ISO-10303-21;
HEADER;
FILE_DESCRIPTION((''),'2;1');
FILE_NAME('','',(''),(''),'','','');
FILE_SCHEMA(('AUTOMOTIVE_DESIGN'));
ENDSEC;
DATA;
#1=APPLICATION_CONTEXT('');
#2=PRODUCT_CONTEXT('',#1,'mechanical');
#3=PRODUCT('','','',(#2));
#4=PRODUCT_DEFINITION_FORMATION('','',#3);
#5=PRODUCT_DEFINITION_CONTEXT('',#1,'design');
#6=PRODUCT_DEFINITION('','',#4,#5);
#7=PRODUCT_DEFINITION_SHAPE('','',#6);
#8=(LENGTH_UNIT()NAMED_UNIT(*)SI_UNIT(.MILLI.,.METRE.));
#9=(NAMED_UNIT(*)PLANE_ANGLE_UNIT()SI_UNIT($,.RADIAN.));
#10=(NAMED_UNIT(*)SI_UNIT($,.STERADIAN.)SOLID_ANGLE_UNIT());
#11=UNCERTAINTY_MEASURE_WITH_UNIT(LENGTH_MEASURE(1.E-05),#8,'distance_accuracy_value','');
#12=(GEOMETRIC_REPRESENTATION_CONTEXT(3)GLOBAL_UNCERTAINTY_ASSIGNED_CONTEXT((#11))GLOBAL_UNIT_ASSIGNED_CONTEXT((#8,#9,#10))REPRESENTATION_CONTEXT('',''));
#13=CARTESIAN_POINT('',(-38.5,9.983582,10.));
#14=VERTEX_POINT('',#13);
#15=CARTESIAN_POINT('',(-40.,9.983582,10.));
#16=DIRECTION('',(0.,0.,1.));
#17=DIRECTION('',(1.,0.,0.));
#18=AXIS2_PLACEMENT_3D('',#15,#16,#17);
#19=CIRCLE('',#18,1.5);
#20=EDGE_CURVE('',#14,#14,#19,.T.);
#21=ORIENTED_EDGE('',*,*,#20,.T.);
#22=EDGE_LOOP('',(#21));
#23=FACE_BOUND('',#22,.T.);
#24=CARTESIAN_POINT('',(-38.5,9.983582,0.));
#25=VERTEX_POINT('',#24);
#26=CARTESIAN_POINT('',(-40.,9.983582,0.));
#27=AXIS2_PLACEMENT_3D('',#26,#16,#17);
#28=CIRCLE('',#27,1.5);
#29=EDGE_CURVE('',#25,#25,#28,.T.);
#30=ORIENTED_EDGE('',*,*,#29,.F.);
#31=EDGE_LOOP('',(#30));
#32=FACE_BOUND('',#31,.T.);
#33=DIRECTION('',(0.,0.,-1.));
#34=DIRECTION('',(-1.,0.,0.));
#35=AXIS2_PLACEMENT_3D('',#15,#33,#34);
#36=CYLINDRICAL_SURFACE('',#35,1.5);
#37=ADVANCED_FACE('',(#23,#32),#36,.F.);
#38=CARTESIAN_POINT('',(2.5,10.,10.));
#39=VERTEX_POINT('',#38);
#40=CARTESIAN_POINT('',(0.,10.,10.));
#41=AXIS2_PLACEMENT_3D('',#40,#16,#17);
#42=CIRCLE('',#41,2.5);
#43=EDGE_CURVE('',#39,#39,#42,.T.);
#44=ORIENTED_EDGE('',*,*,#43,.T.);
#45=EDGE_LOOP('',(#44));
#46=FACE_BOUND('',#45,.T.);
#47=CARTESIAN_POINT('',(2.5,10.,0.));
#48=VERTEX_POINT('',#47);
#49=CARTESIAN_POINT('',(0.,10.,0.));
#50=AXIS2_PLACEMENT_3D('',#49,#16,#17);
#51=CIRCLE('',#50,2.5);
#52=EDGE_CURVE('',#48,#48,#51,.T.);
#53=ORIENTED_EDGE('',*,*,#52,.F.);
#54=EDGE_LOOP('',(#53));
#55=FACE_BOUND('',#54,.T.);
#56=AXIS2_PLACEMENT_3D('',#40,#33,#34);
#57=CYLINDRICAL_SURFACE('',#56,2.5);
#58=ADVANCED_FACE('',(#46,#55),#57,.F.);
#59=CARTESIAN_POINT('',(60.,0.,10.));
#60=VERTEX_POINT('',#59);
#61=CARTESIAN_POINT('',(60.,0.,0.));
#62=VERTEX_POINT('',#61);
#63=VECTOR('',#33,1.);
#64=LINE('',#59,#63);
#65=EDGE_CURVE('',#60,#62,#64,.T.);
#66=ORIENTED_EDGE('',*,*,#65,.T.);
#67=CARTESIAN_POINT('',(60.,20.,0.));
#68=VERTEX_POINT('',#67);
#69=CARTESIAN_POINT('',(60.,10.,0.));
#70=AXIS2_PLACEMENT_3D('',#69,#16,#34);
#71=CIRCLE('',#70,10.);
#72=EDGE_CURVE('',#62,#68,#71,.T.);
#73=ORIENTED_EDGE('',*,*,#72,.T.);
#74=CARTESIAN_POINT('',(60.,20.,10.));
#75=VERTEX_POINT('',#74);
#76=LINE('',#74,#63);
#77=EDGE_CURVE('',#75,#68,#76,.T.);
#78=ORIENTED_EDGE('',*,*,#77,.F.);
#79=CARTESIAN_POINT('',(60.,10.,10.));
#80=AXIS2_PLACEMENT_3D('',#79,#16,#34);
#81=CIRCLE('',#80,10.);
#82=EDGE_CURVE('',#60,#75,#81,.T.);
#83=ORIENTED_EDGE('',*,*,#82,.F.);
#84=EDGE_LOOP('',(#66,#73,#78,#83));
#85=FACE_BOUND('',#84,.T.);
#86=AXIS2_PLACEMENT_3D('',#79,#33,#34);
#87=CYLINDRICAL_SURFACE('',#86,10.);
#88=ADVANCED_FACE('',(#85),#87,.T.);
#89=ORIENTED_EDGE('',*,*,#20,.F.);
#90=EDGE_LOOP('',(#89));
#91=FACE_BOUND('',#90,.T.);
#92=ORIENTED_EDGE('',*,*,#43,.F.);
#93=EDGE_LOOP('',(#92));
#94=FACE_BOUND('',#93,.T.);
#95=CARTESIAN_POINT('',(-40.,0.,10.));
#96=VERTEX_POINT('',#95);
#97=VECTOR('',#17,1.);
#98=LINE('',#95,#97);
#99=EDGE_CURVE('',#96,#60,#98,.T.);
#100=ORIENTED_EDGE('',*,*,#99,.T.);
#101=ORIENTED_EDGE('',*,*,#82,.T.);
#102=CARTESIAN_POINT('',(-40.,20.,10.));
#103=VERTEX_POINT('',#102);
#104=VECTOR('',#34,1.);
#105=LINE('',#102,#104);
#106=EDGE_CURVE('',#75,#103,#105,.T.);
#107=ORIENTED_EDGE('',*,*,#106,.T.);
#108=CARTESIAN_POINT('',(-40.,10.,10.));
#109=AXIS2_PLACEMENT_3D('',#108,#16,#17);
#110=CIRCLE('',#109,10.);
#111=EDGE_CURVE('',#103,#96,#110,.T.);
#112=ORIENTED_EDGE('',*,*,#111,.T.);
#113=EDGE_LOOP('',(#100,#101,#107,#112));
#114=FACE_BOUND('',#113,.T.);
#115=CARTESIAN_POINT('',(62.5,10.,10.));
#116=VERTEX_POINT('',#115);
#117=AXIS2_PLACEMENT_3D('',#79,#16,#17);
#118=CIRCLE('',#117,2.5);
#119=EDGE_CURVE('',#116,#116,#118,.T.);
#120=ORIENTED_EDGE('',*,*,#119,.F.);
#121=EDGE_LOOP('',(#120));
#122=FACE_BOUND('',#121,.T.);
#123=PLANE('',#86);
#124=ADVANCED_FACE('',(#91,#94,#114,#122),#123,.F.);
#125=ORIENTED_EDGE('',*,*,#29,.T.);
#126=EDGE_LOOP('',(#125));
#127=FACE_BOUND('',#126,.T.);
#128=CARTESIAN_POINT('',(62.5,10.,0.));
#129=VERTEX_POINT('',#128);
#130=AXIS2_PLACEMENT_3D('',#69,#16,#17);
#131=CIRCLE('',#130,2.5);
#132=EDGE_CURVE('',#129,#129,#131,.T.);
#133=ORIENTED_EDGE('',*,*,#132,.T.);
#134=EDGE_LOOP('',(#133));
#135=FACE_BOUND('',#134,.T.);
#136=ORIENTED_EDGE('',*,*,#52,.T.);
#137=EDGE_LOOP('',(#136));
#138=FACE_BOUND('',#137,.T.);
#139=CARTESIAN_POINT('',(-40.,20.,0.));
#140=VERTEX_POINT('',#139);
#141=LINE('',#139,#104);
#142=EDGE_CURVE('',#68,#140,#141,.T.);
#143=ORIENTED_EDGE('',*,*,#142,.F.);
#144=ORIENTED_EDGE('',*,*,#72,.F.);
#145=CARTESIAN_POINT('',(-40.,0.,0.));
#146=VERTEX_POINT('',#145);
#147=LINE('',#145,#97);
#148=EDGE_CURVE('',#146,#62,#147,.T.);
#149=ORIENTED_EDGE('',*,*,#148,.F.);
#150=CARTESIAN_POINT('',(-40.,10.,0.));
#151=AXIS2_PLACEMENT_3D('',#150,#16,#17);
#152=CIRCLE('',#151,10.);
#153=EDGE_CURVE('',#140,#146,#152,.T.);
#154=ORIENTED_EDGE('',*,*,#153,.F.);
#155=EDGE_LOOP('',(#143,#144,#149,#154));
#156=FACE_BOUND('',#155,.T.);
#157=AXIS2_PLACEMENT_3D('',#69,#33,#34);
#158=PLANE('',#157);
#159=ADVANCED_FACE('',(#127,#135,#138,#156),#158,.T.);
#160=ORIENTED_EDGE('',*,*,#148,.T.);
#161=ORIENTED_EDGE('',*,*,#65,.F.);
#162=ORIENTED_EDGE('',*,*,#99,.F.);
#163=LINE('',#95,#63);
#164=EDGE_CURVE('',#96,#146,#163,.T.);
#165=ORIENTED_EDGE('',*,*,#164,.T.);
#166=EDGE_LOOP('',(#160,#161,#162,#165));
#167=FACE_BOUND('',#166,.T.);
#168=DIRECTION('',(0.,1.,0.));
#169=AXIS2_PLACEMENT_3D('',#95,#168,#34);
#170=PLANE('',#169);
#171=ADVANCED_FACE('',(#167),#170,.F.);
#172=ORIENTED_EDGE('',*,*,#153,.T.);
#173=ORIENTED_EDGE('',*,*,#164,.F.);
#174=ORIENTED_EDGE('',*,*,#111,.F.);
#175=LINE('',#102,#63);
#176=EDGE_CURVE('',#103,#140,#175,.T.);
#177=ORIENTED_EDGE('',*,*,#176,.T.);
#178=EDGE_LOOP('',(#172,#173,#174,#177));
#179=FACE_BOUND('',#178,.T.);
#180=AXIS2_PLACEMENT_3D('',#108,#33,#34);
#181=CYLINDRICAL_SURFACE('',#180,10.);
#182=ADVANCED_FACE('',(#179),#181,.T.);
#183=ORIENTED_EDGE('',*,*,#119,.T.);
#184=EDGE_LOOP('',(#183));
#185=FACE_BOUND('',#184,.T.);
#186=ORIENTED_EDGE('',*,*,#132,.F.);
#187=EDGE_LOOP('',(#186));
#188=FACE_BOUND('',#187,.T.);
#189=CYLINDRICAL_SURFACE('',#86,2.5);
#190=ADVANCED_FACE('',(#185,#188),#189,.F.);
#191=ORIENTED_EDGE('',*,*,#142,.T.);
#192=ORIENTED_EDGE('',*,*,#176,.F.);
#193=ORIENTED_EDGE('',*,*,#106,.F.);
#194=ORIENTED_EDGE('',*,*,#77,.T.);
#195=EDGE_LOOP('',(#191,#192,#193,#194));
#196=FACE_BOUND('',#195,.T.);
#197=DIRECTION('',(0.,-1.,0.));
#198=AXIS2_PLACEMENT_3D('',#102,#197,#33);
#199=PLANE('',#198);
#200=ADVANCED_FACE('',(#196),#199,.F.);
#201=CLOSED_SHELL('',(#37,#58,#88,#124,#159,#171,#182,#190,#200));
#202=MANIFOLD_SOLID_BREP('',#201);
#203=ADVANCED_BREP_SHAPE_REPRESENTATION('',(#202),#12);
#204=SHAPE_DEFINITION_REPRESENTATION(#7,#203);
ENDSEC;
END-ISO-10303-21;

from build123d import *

# Parameters (mm, degrees)
ESQUISSE1_R        = 2.5
ESQUISSE1_R_2      = 1.5
BOSS_EXTRU_1_DEPTH = 10


with BuildPart() as part:
    # Esquisse1 → Boss.-Extru.1 (new body)
    with BuildSketch(Plane.XY):
        with BuildLine():
            Line((-40, 0), (60, 0))
            ThreePointArc((60, 0), (70, 10), (60, 20))
            Line((60, 20), (-40, 20))
            ThreePointArc((-40, 20), (-50, 10), (-40, 0))
        make_face()
        with Locations((0, 10)):
            Circle(ESQUISSE1_R, mode=Mode.SUBTRACT)
        with Locations((60, 10)):
            Circle(ESQUISSE1_R, mode=Mode.SUBTRACT)
        with Locations((-40, 9.983582118)):
            Circle(ESQUISSE1_R_2, mode=Mode.SUBTRACT)
    extrude(amount=BOSS_EXTRU_1_DEPTH)


solid = part.part
